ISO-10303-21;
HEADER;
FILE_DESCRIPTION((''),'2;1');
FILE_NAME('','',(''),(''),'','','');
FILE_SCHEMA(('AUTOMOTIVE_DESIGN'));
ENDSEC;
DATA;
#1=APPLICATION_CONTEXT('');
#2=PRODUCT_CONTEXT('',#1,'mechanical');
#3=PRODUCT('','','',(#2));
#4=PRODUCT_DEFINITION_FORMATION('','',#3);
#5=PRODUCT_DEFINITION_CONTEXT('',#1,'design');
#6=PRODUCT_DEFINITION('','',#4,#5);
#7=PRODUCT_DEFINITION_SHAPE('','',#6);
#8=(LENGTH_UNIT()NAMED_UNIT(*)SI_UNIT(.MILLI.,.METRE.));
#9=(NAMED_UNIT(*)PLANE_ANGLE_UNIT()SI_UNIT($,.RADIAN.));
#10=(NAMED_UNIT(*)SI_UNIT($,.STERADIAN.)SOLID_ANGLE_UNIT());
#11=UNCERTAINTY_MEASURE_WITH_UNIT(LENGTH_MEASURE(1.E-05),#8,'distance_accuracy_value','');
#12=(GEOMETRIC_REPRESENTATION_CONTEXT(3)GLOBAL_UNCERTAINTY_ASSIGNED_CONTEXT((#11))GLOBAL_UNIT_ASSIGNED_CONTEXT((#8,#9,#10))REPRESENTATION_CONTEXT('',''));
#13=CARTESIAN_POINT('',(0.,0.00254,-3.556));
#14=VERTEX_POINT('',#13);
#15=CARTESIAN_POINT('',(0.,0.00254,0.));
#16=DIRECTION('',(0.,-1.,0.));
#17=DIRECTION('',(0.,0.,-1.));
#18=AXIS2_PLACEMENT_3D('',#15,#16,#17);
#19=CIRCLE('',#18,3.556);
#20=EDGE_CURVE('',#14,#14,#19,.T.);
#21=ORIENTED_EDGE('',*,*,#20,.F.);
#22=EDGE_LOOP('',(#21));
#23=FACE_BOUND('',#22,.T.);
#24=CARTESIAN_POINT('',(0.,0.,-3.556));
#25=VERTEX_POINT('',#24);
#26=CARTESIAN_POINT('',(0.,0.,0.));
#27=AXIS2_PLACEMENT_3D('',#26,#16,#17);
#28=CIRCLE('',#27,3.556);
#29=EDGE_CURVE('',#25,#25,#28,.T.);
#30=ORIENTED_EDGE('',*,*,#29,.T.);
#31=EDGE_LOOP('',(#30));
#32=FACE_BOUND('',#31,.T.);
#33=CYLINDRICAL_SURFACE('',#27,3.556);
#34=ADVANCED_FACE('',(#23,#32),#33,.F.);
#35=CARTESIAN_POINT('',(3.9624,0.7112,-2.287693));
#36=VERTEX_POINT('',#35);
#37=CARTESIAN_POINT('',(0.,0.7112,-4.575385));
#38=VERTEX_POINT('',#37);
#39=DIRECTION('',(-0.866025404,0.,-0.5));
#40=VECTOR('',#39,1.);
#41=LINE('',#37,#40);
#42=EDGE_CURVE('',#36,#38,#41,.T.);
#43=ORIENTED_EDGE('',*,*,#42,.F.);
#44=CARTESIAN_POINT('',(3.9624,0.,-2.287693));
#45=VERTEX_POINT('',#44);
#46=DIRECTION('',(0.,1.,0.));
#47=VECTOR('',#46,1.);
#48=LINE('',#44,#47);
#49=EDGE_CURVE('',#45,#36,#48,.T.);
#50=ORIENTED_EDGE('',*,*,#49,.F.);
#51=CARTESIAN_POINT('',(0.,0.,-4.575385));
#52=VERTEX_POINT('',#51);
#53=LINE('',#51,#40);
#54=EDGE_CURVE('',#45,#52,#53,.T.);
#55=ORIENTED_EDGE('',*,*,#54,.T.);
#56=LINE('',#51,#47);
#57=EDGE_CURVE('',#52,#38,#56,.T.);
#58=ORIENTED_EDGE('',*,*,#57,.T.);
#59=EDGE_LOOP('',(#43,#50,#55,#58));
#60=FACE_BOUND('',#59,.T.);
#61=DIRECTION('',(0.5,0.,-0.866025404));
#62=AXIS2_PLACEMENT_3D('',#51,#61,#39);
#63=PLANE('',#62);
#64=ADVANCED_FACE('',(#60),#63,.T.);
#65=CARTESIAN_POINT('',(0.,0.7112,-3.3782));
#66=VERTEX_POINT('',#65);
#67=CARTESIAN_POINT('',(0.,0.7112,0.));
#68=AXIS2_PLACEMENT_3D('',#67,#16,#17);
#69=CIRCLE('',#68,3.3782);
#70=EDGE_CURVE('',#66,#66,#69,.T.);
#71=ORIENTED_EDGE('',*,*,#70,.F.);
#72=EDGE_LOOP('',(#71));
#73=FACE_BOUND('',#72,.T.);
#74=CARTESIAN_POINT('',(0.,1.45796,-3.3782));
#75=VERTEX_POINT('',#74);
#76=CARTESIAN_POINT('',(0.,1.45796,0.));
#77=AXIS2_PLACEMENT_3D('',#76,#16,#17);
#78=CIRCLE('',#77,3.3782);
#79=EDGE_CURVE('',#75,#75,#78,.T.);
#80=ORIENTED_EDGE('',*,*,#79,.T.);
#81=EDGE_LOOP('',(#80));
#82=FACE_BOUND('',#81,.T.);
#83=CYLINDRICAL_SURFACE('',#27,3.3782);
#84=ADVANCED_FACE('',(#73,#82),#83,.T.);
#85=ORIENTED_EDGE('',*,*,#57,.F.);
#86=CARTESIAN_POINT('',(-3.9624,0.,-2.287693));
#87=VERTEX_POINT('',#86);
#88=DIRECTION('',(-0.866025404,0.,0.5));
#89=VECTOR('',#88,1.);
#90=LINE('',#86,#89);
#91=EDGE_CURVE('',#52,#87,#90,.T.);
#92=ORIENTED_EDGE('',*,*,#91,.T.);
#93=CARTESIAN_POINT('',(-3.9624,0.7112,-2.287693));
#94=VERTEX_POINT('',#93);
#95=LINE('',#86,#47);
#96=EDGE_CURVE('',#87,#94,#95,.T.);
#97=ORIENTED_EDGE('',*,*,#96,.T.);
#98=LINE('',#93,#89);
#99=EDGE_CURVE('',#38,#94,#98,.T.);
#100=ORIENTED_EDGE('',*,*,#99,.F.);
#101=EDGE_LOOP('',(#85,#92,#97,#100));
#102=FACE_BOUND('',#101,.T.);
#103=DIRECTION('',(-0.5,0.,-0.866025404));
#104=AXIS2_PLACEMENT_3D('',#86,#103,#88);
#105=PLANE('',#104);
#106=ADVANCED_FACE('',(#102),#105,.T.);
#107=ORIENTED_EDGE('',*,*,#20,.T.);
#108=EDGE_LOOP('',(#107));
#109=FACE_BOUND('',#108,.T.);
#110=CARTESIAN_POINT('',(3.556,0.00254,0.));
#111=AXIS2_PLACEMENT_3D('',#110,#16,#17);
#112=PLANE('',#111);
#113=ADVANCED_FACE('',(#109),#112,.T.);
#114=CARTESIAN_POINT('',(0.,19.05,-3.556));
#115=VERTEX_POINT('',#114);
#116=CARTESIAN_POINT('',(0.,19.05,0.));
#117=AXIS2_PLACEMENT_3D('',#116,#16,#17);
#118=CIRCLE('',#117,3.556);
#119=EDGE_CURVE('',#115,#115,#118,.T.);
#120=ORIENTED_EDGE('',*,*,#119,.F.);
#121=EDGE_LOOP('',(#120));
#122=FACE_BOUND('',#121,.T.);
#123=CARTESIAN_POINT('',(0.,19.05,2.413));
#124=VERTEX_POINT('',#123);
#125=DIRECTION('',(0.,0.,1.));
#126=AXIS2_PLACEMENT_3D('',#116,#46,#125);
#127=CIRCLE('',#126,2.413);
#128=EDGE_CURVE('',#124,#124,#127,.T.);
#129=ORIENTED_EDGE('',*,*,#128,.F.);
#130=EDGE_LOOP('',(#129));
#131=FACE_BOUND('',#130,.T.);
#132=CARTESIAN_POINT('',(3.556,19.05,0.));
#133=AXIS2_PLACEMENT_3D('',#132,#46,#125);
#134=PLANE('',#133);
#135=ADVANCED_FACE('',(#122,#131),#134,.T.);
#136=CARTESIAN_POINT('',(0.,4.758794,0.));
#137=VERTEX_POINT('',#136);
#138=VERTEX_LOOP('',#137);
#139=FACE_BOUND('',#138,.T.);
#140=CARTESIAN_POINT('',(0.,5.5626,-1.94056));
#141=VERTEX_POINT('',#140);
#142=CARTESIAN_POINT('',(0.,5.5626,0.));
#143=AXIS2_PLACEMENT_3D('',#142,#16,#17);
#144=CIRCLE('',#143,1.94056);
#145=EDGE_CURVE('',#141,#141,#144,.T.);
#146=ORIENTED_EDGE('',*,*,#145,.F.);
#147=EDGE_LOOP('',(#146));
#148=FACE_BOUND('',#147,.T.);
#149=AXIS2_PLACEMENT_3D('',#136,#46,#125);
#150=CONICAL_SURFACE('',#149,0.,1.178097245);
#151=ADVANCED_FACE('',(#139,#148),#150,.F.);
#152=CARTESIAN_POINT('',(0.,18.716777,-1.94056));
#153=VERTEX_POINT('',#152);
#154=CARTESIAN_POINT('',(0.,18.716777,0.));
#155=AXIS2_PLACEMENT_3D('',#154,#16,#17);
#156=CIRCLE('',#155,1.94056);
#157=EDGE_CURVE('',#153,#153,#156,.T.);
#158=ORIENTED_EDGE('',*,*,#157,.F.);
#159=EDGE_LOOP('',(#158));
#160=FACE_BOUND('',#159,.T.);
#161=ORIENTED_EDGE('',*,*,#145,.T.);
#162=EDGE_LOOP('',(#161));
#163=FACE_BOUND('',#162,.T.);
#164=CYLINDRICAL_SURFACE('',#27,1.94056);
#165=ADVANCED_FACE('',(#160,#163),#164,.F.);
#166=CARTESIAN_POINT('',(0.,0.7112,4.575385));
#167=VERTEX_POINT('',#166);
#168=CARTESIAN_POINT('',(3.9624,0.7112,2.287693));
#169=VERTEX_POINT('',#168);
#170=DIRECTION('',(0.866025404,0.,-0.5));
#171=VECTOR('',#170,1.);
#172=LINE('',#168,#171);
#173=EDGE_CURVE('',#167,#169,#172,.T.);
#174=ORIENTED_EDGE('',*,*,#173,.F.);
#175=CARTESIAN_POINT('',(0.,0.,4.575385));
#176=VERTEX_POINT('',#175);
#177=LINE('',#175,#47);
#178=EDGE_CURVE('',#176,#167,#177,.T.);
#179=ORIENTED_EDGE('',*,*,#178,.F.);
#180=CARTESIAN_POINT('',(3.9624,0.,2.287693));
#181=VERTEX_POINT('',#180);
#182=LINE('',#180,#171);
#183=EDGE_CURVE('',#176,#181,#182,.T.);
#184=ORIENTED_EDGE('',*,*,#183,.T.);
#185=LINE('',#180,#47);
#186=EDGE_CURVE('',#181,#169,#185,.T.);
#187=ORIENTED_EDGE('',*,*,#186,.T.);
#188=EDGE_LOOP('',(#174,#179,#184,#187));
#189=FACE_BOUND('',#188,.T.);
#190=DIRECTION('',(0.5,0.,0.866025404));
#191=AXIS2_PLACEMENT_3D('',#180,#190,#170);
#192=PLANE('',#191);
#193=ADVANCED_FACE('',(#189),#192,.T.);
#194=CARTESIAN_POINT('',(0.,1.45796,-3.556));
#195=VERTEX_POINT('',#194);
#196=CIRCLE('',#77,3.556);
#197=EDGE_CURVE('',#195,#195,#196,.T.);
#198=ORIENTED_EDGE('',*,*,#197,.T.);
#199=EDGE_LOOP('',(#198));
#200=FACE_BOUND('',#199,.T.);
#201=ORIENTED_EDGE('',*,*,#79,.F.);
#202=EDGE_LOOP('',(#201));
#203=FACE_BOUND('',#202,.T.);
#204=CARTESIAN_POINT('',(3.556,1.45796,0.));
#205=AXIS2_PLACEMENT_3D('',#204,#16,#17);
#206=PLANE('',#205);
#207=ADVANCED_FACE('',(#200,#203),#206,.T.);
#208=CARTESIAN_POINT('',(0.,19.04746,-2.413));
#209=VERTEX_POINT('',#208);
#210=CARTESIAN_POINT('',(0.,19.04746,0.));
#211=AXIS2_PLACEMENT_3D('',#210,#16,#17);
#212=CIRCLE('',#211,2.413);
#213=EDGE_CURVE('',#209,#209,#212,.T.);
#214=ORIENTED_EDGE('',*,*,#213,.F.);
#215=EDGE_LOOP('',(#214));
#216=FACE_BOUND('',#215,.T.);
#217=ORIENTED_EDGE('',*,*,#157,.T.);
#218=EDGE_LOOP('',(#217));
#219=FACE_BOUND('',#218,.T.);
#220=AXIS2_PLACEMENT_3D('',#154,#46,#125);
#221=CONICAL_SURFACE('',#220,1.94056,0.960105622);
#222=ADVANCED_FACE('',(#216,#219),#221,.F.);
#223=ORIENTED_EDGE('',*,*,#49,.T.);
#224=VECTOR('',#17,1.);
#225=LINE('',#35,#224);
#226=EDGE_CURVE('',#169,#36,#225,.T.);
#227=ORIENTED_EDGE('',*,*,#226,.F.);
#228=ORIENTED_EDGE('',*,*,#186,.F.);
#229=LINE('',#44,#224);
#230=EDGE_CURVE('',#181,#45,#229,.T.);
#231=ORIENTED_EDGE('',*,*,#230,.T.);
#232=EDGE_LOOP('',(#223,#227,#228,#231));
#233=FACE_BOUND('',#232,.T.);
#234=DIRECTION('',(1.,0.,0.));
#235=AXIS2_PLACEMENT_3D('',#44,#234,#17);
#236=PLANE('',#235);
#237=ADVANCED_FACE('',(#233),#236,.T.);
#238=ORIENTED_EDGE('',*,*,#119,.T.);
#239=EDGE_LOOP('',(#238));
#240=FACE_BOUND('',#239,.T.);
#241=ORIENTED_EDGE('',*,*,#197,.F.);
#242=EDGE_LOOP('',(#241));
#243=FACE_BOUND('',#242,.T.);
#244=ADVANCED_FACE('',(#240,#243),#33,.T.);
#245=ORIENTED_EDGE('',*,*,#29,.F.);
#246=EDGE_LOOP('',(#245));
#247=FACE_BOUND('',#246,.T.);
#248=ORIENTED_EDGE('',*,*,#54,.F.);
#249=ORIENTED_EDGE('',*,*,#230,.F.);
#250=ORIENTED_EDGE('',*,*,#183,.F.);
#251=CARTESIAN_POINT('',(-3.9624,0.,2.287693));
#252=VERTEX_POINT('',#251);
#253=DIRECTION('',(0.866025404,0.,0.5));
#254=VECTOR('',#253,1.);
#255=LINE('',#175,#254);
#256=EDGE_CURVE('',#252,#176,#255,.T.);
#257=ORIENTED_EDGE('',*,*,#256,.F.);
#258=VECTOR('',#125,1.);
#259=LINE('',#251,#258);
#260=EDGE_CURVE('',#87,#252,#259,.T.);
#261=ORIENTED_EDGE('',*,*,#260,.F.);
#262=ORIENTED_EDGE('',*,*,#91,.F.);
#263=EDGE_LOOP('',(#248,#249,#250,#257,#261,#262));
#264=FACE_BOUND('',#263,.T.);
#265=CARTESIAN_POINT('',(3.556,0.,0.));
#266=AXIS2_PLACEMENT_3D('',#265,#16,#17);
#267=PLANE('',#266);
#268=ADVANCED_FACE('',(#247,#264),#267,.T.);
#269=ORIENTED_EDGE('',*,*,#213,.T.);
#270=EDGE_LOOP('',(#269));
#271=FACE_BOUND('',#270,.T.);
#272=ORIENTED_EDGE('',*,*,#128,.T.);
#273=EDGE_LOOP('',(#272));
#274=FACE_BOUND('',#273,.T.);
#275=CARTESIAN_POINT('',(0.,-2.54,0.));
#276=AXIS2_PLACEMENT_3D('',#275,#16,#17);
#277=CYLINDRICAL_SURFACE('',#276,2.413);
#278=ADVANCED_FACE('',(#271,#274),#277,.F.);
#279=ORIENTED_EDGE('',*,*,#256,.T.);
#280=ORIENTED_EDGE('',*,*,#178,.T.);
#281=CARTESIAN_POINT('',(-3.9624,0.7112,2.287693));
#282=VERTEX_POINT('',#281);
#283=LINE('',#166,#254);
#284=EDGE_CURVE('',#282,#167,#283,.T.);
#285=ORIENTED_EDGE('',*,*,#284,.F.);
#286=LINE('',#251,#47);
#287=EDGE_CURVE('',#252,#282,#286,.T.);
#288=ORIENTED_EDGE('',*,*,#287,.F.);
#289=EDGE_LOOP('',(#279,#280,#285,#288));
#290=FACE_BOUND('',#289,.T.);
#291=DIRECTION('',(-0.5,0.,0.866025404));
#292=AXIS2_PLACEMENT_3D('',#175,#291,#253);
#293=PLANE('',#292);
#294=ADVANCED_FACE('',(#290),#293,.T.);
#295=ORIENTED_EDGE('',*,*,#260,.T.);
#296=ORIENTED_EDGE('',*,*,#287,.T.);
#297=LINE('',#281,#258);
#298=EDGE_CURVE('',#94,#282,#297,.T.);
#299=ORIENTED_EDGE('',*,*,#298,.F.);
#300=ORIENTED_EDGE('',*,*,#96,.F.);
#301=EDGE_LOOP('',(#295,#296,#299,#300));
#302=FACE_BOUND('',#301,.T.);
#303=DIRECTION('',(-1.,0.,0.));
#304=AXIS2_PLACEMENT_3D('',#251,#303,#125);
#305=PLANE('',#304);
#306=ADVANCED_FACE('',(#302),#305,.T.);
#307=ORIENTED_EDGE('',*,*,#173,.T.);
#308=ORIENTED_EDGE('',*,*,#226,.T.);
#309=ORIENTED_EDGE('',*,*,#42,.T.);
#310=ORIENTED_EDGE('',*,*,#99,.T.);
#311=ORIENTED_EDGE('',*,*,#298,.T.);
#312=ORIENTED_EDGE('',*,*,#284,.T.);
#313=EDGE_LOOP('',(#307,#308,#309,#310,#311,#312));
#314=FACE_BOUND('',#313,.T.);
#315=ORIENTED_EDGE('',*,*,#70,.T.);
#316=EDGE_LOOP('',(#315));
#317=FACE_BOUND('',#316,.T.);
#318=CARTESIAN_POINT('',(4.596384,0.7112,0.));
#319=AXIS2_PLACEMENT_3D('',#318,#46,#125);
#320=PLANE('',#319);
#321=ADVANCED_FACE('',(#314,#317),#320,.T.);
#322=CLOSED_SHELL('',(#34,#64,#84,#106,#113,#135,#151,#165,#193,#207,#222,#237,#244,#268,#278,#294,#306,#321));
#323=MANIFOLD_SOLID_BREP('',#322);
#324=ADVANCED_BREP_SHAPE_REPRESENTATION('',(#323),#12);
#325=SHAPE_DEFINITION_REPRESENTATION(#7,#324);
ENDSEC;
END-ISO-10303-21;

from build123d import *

# Parameters (mm, degrees)
HEXDIESKE_R  = 4.609084
HEXDIE_DEPTH = 0.7112


with BuildPart() as part:
    # BodySke → Body (revolve)
    with BuildSketch(Plane.XY, mode=Mode.PRIVATE) as body_sk:
        Polygon((3.556, 0), (4.596384, 0), (4.596384, 0.7112), (3.3782, 0.7112), (3.3782, 1.45796), (3.556, 1.45796), (3.556, 19.05), (1.94056, 19.05), (1.94056, 9.525), (0, 9.525), (0, 0.00254), (3.556, 0.00254), align=None)
    revolve(body_sk.sketch.rotate(Axis((0, 0, 0), (0, 1, 0)), 90), axis=Axis((0, 0, 0), (0, 1, 0)))

    # TapDriSke → TapDrill (revolve, cut)
    with BuildSketch(Plane.XY, mode=Mode.PRIVATE) as tapdrill_sk:
        Polygon((1.94056, 5.5626), (1.94056, 19.05), (0, 19.05), (0, 4.758793729), align=None)
    revolve(tapdrill_sk.sketch.rotate(Axis((0, 0, 0), (0, 1, 0)), 90), axis=Axis((0, 0, 0), (0, 1, 0)), mode=Mode.SUBTRACT)

    # EndChamferSke → EndChamfer (revolve, cut)
    with BuildSketch(Plane.XY, mode=Mode.PRIVATE) as endchamfer_sk:
        Polygon((2.413, 19.04746), (1.94056, 18.71677682), (1.94056, 19.304), (2.413, 19.304), align=None)
    revolve(endchamfer_sk.sketch.rotate(Axis((0, -2.54, 0), (0, 1, 0)), 90), axis=Axis((0, -2.54, 0), (0, 1, 0)), mode=Mode.SUBTRACT)

    # HexDieSke → HexDie (cut)
    with BuildSketch(Plane(origin=(0, 0.7112, 0), x_dir=(-1, 0, 0), z_dir=(0, 1, 0))):
        Circle(HEXDIESKE_R)
        Polygon((0, 4.575385413), (3.9624, 2.287692707), (3.9624, -2.287692707), (0, -4.575385413), (-3.9624, -2.287692707), (-3.9624, 2.287692707), align=None, mode=Mode.SUBTRACT)
    extrude(amount=-HEXDIE_DEPTH, mode=Mode.SUBTRACT)


solid = part.part
